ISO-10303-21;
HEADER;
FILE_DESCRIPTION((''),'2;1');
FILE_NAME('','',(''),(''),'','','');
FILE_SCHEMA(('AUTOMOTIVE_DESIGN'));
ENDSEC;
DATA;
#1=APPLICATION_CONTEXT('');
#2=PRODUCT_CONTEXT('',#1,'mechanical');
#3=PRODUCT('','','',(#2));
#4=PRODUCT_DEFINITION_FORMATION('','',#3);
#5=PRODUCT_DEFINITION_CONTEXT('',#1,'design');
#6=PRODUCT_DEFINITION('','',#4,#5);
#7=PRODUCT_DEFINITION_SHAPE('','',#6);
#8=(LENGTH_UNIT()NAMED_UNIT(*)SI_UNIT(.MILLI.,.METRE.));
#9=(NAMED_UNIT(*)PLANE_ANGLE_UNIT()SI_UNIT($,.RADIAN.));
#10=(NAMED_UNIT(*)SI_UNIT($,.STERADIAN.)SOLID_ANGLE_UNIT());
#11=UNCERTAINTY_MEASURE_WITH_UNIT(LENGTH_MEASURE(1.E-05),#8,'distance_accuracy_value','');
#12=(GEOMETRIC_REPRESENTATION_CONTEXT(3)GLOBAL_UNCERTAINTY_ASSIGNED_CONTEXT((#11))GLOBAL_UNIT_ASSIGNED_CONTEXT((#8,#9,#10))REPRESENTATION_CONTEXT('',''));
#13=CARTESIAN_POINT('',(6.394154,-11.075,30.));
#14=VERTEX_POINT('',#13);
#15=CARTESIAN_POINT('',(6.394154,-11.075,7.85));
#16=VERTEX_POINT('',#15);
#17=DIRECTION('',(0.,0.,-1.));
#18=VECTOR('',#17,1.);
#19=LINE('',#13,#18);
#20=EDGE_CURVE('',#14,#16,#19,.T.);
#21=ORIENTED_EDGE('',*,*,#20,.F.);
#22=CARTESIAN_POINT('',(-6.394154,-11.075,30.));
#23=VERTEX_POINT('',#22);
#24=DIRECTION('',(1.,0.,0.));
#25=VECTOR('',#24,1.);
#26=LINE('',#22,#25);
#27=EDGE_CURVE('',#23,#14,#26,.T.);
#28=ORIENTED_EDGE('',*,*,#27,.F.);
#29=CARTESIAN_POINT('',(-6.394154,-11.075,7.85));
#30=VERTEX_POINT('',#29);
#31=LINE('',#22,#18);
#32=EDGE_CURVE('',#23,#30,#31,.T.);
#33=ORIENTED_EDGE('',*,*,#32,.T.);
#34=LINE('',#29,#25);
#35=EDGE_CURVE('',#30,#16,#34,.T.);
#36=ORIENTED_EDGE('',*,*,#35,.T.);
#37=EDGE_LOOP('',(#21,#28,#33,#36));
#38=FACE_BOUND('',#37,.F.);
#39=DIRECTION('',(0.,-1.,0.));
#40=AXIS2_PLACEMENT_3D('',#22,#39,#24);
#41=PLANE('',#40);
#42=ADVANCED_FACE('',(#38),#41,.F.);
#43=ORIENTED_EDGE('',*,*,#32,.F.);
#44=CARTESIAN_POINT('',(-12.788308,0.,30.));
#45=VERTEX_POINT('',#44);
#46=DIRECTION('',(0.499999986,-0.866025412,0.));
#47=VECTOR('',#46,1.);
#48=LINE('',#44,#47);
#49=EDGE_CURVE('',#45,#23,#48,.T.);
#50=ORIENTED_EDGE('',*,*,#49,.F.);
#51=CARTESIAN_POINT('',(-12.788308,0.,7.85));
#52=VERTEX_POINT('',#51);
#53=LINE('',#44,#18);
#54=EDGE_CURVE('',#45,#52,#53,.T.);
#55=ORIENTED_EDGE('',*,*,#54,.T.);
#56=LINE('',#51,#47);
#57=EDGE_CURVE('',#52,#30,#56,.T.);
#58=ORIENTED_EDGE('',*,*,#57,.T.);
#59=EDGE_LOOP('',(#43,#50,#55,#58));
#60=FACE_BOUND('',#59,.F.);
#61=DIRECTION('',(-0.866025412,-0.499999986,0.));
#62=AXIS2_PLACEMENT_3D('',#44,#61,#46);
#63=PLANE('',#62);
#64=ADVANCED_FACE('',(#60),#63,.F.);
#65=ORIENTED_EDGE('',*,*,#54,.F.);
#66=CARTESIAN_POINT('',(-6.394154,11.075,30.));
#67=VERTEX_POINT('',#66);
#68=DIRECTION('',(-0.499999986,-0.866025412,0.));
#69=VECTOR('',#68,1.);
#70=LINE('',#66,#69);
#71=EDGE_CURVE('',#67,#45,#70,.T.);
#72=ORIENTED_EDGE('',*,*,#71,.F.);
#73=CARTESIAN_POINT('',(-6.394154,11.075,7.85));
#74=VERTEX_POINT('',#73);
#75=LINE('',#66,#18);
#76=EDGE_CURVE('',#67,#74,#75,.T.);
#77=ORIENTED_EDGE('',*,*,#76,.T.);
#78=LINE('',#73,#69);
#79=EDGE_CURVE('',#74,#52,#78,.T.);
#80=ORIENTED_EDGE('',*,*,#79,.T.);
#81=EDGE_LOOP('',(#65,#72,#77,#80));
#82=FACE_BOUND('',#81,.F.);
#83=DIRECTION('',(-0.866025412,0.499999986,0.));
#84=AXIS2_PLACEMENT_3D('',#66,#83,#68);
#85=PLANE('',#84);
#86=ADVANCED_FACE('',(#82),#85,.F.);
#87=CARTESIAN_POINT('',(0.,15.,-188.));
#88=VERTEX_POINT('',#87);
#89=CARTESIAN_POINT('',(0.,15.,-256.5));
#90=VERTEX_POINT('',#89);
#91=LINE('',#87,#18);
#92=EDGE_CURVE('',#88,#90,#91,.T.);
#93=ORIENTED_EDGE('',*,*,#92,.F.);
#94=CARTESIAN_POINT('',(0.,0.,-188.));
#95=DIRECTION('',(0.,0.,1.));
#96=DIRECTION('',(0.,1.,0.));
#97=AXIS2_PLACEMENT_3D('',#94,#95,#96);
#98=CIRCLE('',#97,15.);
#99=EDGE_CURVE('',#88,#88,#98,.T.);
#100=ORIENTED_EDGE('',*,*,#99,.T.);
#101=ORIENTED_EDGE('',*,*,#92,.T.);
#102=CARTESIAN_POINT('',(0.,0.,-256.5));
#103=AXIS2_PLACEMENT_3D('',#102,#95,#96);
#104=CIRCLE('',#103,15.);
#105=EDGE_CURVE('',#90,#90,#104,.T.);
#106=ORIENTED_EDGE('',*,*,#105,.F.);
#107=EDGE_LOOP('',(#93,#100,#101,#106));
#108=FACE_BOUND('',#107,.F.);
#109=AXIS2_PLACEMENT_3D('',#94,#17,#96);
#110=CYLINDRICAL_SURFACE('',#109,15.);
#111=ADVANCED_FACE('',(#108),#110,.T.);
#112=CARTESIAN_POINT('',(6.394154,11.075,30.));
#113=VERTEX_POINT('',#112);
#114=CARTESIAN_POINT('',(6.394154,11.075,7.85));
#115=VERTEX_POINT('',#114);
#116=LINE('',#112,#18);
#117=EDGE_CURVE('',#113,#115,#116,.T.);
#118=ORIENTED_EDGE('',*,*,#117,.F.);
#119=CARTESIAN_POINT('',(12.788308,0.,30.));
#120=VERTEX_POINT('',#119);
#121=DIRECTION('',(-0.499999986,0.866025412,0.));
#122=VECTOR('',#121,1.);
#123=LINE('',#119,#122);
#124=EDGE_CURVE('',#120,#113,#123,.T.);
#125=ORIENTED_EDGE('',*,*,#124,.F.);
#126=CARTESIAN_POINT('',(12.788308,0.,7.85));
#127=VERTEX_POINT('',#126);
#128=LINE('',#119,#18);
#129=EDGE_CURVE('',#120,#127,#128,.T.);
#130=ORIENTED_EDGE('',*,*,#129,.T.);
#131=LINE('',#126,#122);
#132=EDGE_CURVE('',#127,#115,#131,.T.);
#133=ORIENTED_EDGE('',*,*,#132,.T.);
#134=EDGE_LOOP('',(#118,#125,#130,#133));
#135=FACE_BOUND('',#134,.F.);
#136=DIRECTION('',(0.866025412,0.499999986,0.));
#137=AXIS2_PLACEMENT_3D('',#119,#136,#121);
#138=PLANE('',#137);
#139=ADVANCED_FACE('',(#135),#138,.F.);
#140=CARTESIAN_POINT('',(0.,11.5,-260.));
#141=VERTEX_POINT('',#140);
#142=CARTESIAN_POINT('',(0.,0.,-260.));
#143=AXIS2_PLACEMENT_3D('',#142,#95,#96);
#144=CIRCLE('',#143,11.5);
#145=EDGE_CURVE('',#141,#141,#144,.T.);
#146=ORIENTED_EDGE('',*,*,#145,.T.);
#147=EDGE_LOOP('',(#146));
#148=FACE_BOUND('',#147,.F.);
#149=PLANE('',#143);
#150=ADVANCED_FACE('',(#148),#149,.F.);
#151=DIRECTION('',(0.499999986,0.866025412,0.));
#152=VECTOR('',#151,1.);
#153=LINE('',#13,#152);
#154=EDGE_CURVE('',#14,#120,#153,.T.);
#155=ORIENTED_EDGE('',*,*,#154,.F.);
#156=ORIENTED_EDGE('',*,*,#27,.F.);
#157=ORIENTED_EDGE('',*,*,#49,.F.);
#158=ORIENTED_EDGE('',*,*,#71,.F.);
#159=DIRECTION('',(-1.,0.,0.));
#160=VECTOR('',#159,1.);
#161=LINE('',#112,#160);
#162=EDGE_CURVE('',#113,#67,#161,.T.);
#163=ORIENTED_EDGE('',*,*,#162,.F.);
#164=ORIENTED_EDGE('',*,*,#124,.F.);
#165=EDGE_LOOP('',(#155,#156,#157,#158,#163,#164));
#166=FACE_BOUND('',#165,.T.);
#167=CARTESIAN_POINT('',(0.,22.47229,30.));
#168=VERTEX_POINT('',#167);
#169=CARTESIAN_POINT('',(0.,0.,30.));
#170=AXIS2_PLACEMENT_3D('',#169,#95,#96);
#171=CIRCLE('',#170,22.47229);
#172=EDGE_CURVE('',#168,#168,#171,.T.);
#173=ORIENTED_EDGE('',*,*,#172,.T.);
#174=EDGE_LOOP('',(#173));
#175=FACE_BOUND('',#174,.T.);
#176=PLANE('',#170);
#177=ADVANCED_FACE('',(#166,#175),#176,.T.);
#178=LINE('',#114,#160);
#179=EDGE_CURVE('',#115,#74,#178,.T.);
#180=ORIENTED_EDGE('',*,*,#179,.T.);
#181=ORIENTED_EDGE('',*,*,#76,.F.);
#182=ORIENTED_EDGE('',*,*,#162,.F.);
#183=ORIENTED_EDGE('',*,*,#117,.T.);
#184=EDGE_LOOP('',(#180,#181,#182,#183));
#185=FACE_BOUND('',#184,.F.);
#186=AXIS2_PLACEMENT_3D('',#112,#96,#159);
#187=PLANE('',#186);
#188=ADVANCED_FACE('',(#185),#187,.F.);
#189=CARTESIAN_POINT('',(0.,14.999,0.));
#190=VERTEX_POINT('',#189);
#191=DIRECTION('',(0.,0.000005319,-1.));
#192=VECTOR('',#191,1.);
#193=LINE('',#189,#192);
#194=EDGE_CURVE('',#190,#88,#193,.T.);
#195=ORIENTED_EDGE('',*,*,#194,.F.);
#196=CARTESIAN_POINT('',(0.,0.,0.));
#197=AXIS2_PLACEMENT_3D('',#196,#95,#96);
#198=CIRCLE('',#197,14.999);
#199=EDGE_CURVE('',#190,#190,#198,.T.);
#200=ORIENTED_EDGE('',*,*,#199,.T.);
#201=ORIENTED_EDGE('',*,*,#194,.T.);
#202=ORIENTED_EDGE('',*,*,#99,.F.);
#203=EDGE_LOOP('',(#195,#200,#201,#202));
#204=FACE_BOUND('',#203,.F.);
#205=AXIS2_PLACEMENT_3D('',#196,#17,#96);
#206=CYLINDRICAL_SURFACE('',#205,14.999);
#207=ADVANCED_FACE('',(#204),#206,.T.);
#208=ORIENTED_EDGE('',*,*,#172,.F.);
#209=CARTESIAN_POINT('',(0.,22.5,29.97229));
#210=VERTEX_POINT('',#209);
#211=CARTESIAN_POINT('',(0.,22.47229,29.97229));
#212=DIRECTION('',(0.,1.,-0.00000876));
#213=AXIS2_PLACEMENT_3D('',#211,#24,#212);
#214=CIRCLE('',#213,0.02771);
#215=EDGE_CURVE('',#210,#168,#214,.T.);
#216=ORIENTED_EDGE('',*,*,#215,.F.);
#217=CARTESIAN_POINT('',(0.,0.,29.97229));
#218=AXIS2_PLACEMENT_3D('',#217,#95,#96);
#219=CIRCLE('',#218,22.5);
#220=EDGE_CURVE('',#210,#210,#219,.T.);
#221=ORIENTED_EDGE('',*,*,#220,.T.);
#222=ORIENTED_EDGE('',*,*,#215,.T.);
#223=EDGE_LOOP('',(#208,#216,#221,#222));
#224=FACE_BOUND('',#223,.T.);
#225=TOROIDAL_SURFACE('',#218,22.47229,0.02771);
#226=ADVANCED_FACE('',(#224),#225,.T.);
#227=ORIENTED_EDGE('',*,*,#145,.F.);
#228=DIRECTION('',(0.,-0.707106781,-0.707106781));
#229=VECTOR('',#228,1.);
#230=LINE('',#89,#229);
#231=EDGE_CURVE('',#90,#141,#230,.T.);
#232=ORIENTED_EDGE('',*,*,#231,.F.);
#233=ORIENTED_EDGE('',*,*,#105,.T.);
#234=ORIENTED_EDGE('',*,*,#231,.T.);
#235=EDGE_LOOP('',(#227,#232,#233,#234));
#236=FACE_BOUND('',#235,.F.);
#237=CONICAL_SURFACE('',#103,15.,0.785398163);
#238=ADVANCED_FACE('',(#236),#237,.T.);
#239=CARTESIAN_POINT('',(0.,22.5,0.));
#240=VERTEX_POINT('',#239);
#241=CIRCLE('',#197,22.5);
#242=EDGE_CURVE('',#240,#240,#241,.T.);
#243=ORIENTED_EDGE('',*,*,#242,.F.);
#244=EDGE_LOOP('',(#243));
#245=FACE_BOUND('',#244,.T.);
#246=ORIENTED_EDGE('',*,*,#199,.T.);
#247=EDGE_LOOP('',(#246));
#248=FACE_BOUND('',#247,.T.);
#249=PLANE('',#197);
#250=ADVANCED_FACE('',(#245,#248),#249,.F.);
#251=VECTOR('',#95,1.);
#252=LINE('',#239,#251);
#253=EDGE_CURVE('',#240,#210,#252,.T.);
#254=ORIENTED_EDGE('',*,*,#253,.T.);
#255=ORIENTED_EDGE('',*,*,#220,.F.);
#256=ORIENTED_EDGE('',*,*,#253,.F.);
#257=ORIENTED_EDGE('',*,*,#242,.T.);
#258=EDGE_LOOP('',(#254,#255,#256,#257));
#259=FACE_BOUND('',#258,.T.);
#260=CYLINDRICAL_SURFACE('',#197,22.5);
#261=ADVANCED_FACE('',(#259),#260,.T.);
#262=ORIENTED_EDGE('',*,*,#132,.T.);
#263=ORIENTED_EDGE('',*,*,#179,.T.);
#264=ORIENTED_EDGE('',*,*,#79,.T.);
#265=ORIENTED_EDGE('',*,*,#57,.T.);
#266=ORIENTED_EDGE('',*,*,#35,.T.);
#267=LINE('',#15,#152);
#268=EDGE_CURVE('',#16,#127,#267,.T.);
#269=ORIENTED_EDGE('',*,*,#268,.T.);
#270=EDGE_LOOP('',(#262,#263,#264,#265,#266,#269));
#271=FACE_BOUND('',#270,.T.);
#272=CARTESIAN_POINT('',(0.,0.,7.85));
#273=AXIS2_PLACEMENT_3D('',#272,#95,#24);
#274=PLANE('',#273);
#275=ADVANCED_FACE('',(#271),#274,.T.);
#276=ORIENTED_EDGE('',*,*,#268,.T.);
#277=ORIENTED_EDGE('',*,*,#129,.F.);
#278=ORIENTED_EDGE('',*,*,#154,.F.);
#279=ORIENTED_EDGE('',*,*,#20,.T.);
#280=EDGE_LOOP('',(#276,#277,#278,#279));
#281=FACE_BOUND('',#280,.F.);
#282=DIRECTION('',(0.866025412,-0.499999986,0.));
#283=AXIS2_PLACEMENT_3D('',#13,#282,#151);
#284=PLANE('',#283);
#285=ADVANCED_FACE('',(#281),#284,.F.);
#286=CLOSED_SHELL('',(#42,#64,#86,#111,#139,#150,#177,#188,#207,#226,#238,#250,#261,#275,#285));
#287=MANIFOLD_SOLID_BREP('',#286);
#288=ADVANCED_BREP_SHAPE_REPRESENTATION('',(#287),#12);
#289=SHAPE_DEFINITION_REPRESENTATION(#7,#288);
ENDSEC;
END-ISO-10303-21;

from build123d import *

# Parameters (mm, degrees)
POCKET_DEPTH = 22.15


with BuildPart() as part:
    # Sketch → Revolve (revolve)
    with BuildSketch(Plane.YZ):
        with BuildLine():
            Line((14.999, 0), (22.5, 0))
            Line((22.5, 0), (22.5, 29.97229))
            ThreePointArc((22.5, 29.97229), (22.491884, 29.991884), (22.47229, 30))
            Line((22.47229, 30), (0, 30))
            Line((0, -260), (0, 30))
            Line((11.5, -260), (0, -260))
            Line((15, -256.5), (11.5, -260))
            Line((15, -188), (15, -256.5))
            Line((14.999, 0), (15, -188))
        make_face()
    revolve(axis=Axis((0, 0, 0), (0, 0, 1)))

    # Sketch001 → Pocket (cut)
    with BuildSketch(Plane.XY.offset(30)):
        Polygon((12.788308, 0), (6.394154, 11.075), (-6.394154, 11.075), (-12.788308, 0), (-6.394154, -11.075), (6.394154, -11.075), align=None)
    extrude(amount=-POCKET_DEPTH, mode=Mode.SUBTRACT)


solid = part.part
